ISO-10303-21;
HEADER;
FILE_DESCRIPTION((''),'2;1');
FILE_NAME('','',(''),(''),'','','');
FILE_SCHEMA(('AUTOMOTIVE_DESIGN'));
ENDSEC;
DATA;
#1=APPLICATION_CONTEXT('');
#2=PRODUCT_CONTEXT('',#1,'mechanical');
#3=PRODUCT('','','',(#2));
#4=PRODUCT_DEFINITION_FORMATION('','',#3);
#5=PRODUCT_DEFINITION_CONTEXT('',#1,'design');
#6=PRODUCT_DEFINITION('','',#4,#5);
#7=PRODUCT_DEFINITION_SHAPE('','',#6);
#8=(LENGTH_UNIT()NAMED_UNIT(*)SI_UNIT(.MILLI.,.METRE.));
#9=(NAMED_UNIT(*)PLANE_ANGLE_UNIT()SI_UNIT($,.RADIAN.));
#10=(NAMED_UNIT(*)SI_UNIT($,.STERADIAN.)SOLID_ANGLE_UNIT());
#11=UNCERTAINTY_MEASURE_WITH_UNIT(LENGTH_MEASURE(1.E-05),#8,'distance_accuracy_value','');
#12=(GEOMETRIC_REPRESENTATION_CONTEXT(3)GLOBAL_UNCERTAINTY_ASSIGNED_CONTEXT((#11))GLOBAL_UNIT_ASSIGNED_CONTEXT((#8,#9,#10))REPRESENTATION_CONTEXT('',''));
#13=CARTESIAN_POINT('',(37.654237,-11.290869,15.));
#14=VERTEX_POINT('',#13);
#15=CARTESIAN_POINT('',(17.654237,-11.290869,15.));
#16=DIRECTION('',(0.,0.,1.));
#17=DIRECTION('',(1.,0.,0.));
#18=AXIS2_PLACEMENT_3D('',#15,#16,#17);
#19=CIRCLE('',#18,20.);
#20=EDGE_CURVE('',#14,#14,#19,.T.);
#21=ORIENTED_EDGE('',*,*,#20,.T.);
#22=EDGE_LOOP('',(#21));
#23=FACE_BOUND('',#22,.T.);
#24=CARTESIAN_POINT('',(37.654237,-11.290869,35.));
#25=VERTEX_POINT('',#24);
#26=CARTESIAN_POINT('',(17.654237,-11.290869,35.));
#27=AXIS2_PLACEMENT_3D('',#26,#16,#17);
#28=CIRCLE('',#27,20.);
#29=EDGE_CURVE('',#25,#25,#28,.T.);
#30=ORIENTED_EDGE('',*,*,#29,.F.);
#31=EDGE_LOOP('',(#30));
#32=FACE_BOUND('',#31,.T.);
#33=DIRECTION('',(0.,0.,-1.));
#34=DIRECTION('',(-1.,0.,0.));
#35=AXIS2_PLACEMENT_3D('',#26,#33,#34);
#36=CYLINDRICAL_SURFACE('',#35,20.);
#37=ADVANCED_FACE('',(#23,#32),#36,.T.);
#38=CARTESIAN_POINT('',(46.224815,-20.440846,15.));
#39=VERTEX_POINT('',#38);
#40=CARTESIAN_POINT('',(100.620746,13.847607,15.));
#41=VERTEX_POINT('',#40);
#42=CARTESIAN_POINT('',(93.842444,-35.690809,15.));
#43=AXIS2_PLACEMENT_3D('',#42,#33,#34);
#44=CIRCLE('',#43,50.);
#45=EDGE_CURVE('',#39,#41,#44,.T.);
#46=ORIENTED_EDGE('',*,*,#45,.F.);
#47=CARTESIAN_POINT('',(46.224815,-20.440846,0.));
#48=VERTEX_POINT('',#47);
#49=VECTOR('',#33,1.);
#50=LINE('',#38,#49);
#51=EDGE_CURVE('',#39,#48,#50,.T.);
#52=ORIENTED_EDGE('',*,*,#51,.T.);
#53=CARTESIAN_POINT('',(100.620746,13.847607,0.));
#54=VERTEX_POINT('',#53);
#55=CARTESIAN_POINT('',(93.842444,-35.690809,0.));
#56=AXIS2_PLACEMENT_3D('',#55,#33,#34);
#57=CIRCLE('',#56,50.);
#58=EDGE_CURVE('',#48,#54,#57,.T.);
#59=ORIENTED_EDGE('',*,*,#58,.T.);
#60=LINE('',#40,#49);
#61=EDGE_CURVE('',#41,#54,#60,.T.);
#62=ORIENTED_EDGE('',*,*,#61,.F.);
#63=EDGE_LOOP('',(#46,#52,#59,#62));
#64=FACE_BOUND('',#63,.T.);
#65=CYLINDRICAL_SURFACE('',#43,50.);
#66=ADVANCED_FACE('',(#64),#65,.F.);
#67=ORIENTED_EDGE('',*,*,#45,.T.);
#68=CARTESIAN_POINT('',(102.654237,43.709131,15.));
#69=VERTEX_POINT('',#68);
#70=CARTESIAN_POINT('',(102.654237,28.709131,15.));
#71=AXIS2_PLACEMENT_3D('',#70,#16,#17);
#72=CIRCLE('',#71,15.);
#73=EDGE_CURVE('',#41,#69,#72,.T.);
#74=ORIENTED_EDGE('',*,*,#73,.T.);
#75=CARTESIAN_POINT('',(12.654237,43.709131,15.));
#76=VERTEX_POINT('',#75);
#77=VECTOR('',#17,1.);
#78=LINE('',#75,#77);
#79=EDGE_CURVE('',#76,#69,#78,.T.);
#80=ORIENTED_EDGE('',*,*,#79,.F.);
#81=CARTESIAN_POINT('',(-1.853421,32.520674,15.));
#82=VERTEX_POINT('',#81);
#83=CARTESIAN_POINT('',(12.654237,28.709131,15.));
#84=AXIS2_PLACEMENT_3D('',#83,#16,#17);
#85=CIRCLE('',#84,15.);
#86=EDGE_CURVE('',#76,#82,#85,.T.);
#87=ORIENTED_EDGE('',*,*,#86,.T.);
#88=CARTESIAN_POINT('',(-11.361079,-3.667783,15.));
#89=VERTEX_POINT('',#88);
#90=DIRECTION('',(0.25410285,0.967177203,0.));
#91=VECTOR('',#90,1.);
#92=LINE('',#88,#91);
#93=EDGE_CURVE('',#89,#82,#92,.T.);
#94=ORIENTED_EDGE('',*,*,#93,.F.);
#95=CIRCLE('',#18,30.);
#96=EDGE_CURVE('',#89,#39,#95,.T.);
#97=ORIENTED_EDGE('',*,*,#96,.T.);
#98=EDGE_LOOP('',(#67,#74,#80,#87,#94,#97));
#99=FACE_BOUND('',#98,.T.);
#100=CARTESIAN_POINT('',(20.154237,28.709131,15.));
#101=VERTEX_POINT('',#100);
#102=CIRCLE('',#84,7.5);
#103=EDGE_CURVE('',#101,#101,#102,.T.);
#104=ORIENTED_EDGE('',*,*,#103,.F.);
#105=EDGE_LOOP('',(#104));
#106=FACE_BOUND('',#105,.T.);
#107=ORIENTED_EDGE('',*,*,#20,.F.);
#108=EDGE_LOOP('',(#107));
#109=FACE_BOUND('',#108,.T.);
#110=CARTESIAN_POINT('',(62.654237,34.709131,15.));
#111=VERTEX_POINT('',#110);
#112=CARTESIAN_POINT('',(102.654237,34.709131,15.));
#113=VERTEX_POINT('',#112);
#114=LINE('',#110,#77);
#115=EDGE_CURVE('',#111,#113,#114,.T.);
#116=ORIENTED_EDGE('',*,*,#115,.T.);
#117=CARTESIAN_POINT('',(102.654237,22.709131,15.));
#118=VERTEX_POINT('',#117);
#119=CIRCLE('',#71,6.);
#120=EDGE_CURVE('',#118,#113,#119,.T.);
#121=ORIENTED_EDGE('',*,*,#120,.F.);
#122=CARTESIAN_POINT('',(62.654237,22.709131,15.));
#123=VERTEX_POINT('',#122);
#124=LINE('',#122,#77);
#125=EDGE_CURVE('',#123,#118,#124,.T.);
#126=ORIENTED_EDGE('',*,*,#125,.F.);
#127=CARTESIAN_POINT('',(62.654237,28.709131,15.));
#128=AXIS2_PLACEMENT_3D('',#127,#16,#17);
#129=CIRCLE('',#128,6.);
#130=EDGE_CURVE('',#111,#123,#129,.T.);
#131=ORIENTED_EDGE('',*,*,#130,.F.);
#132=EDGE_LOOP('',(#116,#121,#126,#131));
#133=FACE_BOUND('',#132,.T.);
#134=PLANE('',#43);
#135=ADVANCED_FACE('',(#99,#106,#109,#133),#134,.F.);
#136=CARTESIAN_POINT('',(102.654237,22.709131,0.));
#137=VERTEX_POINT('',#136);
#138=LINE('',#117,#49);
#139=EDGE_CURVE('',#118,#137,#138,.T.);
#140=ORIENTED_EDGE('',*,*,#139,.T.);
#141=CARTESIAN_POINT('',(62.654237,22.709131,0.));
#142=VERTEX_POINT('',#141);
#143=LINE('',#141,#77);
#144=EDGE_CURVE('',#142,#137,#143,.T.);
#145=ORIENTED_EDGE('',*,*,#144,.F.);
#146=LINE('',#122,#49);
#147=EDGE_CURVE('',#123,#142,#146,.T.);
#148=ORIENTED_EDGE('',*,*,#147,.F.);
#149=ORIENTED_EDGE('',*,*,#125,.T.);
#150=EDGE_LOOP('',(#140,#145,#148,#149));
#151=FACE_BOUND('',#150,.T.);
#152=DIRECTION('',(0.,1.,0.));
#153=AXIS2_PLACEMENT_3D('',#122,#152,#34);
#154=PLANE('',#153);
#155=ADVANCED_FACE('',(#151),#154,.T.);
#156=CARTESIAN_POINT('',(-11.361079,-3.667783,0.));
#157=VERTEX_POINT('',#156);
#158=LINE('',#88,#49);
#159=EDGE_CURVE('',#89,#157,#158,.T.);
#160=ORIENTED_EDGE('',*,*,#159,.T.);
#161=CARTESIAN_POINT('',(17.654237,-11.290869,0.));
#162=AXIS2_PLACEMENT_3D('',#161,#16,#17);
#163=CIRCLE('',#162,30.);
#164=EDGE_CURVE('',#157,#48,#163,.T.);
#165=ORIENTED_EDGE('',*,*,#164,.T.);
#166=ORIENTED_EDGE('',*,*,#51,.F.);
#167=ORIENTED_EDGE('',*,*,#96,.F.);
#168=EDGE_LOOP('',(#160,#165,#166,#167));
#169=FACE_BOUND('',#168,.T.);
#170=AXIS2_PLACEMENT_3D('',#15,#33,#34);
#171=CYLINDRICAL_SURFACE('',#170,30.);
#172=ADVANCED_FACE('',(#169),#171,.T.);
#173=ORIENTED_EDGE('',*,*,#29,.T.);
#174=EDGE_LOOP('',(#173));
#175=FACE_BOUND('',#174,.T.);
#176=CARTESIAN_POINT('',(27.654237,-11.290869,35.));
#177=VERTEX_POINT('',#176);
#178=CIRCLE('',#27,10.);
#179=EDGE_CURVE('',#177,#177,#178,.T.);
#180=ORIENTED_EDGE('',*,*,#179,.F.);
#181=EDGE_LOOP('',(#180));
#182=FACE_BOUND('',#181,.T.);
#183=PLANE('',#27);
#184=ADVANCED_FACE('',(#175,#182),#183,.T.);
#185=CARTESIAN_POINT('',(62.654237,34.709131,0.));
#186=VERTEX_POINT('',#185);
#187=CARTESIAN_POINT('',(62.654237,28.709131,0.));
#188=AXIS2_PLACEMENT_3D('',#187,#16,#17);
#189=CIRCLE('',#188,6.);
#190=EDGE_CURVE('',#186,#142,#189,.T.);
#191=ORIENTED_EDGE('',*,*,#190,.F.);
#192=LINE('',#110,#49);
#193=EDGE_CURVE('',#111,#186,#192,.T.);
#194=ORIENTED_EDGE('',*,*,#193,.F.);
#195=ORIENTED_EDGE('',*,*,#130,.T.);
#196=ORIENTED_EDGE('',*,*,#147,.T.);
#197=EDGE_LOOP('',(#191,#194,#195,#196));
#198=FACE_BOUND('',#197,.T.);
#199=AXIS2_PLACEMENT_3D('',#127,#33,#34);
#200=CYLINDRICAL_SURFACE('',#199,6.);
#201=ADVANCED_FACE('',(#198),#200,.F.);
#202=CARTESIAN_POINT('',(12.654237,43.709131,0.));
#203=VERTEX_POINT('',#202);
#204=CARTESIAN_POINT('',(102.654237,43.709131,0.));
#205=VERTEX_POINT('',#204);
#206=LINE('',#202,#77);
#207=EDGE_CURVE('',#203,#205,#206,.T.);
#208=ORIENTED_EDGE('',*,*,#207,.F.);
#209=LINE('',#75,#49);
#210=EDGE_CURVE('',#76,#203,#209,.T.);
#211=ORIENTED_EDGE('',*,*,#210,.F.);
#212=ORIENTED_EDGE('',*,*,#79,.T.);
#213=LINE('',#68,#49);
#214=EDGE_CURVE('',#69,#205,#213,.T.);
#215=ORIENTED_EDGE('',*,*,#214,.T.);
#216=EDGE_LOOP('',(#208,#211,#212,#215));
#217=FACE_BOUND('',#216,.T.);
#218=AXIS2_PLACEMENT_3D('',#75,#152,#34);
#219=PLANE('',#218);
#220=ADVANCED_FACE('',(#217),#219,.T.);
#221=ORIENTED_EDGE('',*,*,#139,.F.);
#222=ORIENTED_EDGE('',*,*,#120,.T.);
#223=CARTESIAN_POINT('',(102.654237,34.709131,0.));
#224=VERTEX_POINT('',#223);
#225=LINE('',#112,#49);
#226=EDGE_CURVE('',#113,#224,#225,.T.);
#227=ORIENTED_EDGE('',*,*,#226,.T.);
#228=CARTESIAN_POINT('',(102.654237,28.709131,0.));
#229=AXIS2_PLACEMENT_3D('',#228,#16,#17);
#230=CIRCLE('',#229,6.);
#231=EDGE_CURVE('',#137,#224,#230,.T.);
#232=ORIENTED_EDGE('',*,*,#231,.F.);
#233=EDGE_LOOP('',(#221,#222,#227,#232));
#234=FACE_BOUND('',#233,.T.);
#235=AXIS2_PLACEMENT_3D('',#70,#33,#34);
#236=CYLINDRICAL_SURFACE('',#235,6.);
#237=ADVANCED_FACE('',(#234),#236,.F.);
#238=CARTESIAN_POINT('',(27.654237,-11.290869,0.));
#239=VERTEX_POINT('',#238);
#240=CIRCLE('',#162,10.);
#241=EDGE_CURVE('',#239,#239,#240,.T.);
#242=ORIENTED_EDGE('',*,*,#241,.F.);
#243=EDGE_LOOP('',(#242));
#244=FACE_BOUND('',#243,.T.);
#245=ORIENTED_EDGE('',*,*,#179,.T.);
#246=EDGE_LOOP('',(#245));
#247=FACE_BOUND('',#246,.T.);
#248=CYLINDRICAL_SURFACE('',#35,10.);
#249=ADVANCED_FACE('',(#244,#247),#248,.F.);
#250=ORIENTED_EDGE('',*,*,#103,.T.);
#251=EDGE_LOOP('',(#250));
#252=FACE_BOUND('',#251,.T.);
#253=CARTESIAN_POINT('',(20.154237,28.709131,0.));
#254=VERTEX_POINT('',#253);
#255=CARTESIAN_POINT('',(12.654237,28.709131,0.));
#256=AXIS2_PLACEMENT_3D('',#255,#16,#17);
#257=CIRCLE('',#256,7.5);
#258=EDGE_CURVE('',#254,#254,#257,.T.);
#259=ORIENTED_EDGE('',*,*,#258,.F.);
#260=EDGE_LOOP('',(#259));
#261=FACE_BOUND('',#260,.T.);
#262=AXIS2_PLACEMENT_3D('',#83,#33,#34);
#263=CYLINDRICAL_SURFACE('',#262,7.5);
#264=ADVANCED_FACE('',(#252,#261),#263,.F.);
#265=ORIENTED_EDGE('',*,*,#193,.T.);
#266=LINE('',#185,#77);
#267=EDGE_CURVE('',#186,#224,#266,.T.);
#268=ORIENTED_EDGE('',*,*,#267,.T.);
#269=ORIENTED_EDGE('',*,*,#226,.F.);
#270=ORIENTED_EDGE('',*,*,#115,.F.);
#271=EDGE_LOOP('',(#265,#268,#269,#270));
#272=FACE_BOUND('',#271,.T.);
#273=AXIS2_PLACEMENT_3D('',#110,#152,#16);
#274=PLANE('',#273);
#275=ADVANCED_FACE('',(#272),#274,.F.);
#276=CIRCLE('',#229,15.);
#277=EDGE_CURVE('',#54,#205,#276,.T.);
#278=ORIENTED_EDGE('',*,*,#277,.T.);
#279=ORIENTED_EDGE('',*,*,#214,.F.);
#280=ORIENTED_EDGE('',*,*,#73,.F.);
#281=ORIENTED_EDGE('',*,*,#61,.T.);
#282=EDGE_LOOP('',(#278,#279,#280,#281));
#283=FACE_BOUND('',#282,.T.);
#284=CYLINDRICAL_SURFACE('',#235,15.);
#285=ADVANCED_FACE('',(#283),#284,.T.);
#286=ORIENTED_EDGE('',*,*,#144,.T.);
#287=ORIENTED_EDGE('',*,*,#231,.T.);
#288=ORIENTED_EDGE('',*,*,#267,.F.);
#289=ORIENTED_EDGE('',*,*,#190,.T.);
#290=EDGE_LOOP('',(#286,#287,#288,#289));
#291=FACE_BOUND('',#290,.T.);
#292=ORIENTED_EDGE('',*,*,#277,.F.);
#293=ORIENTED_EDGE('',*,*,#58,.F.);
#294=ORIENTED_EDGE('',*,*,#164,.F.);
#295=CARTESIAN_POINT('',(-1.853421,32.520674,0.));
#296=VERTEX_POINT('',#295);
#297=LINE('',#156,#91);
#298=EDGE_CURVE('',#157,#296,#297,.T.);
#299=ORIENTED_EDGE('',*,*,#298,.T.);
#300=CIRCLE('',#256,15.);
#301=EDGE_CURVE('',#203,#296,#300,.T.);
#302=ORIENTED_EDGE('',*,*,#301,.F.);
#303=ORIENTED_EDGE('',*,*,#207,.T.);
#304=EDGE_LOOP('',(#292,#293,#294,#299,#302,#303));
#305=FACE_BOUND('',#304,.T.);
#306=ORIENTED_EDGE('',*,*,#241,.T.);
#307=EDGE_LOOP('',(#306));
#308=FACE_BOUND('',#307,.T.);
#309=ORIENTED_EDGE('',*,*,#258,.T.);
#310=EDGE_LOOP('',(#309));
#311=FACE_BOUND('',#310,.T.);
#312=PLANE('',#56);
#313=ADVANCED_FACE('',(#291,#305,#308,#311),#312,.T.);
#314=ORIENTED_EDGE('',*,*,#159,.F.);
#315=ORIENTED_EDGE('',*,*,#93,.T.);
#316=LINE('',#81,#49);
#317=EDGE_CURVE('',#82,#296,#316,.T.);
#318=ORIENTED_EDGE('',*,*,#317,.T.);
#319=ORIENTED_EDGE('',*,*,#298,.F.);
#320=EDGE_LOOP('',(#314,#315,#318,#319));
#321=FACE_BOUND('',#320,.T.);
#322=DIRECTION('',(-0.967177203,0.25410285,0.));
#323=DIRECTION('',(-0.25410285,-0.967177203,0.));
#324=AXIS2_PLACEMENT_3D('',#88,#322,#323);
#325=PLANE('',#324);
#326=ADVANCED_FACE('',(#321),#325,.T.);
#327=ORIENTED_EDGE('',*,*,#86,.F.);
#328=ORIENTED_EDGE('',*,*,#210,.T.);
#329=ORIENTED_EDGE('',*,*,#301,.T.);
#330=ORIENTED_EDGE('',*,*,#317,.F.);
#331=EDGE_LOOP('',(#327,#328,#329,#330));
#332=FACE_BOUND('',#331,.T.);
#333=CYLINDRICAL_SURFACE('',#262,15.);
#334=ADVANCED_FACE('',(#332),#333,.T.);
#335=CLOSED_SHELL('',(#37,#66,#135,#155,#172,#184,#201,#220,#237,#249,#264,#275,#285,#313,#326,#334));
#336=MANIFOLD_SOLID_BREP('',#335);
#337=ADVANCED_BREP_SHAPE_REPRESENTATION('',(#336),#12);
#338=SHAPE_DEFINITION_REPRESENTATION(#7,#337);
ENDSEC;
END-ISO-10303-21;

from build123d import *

# Parameters (mm, degrees)
SKETCH1_R           = 7.5
SKETCH1_R_2         = 20
BOSS_EXTRUDE3_DEPTH = 15
SKETCH1_9_R         = 20
SKETCH1_9_R_2       = 10
BOSS_EXTRUDE4_DEPTH = 35


with BuildPart() as part:
    # Sketch1 → Boss-Extrude3 (new body)
    with BuildSketch(Plane.XY):
        with BuildLine():
            Line((-11.361079264, -3.667783279), (-1.853421221, 32.520673976))
            ThreePointArc((-1.853421221, 32.520673976), (3.493809463, 40.587118039), (12.654236823, 43.709131232))
            Line((12.654236823, 43.709131232), (102.654236823, 43.709131232))
            ThreePointArc((102.654236823, 43.709131232), (117.619577951, 27.690031183), (100.620746174, 13.847606553))
            ThreePointArc((100.620746174, 13.847606553), (67.179976661, 6.607096754), (46.224814518, -20.440846371))
            ThreePointArc((46.224814518, -20.440846371), (9.264757731, -40.093935282), (-11.361079264, -3.667783279))
        make_face()
        with Locations((12.654236823, 28.709131232)):
            Circle(SKETCH1_R, mode=Mode.SUBTRACT)
        with Locations((17.654236823, -11.290868768)):
            Circle(SKETCH1_R_2, mode=Mode.SUBTRACT)
        with BuildLine():
            Line((62.654236823, 34.709131232), (102.654236823, 34.709131232))
            ThreePointArc((102.654236823, 34.709131232), (108.654236823, 28.709131232), (102.654236823, 22.709131232))
            Line((102.654236823, 22.709131232), (62.654236823, 22.709131232))
            ThreePointArc((62.654236823, 22.709131232), (56.654236823, 28.709131232), (62.654236823, 34.709131232))
        make_face(mode=Mode.SUBTRACT)
    extrude(amount=BOSS_EXTRUDE3_DEPTH)

    # Sketch1<9> → Boss-Extrude4 (add)
    with BuildSketch(Plane.XY):
        with Locations((17.654236823, -11.290868768)):
            Circle(SKETCH1_9_R)
        with Locations((17.654236823, -11.290868768)):
            Circle(SKETCH1_9_R_2, mode=Mode.SUBTRACT)
    extrude(amount=BOSS_EXTRUDE4_DEPTH)


solid = part.part
